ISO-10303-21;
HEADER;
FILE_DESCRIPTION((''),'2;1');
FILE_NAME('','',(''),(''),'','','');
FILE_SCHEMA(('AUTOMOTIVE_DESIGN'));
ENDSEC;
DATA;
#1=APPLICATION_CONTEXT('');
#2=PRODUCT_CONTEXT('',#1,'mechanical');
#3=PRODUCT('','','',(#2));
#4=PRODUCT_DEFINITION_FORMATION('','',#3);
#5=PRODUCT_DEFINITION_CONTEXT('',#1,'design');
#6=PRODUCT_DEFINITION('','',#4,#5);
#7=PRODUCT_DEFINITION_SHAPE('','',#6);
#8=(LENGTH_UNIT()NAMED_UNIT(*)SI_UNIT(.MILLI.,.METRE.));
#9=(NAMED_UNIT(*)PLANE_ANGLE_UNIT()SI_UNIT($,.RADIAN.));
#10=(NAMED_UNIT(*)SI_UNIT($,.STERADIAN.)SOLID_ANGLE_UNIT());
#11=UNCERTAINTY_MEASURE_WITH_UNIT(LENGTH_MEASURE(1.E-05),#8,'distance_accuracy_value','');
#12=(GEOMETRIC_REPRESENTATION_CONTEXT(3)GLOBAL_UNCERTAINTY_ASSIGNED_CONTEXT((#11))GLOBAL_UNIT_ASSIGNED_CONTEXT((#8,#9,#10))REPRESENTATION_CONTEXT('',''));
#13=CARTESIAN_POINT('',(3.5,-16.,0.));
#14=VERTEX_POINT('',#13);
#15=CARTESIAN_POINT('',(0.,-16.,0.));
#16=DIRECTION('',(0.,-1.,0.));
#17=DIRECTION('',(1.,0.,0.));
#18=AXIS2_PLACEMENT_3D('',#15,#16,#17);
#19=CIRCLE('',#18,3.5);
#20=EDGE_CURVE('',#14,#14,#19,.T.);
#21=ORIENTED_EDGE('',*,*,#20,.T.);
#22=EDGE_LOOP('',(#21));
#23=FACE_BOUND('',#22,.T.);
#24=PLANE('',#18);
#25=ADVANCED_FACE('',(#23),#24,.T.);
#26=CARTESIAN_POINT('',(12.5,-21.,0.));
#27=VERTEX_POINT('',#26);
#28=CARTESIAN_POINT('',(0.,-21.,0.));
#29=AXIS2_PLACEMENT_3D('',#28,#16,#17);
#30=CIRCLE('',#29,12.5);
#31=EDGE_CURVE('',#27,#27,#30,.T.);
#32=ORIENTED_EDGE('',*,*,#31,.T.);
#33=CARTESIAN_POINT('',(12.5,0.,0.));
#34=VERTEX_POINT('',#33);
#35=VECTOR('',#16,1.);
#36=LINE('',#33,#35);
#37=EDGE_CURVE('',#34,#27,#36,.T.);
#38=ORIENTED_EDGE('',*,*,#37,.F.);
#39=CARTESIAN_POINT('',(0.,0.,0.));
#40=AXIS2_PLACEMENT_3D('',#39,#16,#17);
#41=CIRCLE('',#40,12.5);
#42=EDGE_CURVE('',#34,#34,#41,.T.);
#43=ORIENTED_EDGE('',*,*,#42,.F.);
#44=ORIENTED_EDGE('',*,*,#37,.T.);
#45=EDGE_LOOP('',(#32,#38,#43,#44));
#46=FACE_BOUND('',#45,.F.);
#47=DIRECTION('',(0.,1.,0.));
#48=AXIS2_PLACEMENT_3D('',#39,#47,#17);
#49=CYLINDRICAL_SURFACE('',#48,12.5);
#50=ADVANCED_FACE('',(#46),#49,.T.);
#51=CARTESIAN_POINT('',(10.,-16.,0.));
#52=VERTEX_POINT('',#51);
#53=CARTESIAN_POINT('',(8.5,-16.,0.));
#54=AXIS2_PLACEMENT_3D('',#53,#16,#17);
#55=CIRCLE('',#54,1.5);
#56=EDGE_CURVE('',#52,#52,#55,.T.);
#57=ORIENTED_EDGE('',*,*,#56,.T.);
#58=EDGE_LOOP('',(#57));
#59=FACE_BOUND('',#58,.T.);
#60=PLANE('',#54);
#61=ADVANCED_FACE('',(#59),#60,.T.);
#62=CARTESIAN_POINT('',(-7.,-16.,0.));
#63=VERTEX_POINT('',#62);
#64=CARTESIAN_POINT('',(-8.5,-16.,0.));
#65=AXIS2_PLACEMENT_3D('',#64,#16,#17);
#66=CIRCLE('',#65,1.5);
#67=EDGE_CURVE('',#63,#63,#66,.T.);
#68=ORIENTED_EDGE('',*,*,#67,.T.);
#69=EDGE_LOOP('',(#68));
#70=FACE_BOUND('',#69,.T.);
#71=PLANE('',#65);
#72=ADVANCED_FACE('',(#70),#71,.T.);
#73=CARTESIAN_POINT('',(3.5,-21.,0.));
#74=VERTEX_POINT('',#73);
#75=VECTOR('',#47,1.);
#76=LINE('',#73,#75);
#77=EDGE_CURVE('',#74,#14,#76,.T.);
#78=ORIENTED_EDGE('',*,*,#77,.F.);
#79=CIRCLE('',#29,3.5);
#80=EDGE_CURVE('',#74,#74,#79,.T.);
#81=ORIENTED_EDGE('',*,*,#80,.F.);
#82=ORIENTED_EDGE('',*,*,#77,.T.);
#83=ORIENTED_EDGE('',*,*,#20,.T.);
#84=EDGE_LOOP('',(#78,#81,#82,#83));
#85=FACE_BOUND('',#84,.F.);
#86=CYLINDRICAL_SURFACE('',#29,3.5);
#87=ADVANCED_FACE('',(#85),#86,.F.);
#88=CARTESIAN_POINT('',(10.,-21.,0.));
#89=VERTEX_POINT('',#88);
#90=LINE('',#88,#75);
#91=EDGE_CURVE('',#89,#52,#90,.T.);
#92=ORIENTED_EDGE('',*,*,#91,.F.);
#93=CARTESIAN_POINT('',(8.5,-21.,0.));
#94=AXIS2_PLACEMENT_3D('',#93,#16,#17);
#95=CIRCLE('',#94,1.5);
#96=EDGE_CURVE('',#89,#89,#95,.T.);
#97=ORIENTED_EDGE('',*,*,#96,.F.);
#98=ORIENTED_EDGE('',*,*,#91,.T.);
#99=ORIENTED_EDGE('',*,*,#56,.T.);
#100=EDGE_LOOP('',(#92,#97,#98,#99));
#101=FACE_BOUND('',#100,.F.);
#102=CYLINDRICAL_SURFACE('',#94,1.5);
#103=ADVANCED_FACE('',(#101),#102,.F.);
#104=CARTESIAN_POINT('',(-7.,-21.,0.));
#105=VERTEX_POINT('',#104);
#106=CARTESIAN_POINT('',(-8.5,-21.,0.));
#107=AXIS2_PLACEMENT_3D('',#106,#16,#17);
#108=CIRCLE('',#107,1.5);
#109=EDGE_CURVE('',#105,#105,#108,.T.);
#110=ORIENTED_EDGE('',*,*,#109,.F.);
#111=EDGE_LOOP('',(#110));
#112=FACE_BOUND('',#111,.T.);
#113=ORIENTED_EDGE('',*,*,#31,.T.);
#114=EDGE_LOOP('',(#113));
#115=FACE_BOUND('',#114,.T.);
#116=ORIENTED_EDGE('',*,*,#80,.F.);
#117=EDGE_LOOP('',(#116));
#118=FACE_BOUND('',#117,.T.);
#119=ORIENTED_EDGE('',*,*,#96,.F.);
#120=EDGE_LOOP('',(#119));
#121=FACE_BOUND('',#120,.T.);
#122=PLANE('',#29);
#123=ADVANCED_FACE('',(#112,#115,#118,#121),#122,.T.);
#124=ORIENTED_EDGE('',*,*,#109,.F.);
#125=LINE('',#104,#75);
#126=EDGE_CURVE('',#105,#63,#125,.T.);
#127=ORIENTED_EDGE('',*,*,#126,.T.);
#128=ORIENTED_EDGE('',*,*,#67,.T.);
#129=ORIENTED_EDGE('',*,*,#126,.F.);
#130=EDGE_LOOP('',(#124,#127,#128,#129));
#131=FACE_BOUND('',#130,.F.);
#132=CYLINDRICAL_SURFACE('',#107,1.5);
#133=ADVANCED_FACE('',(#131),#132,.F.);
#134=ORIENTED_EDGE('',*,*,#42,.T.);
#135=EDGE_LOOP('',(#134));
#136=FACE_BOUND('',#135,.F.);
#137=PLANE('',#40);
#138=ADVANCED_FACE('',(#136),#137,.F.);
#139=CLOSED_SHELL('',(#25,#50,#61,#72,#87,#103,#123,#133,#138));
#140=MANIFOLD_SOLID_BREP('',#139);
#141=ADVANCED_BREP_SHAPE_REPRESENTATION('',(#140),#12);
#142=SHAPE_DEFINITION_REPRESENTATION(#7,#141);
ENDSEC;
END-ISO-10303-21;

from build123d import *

# Parameters (mm, degrees)
F0_R     = 12.5
F1_DEPTH = 21
F2_R     = 1.5
F2_R_2   = 3.5
F3_DEPTH = 5


with BuildPart() as f1:
    # F0 (on Front) → F1 (new body)
    with BuildSketch(Plane.XZ):
        Circle(F0_R)
    extrude(amount=F1_DEPTH)

    # F2 (on face) → F3 (cut)
    with BuildSketch(Plane.XZ.offset(21)):
        with Locations((-8.5, 0)):
            Circle(F2_R)
        with Locations((8.5, 0)):
            Circle(F2_R)
        Circle(F2_R_2)
    extrude(amount=-F3_DEPTH, mode=Mode.SUBTRACT)


solid = f1.part
